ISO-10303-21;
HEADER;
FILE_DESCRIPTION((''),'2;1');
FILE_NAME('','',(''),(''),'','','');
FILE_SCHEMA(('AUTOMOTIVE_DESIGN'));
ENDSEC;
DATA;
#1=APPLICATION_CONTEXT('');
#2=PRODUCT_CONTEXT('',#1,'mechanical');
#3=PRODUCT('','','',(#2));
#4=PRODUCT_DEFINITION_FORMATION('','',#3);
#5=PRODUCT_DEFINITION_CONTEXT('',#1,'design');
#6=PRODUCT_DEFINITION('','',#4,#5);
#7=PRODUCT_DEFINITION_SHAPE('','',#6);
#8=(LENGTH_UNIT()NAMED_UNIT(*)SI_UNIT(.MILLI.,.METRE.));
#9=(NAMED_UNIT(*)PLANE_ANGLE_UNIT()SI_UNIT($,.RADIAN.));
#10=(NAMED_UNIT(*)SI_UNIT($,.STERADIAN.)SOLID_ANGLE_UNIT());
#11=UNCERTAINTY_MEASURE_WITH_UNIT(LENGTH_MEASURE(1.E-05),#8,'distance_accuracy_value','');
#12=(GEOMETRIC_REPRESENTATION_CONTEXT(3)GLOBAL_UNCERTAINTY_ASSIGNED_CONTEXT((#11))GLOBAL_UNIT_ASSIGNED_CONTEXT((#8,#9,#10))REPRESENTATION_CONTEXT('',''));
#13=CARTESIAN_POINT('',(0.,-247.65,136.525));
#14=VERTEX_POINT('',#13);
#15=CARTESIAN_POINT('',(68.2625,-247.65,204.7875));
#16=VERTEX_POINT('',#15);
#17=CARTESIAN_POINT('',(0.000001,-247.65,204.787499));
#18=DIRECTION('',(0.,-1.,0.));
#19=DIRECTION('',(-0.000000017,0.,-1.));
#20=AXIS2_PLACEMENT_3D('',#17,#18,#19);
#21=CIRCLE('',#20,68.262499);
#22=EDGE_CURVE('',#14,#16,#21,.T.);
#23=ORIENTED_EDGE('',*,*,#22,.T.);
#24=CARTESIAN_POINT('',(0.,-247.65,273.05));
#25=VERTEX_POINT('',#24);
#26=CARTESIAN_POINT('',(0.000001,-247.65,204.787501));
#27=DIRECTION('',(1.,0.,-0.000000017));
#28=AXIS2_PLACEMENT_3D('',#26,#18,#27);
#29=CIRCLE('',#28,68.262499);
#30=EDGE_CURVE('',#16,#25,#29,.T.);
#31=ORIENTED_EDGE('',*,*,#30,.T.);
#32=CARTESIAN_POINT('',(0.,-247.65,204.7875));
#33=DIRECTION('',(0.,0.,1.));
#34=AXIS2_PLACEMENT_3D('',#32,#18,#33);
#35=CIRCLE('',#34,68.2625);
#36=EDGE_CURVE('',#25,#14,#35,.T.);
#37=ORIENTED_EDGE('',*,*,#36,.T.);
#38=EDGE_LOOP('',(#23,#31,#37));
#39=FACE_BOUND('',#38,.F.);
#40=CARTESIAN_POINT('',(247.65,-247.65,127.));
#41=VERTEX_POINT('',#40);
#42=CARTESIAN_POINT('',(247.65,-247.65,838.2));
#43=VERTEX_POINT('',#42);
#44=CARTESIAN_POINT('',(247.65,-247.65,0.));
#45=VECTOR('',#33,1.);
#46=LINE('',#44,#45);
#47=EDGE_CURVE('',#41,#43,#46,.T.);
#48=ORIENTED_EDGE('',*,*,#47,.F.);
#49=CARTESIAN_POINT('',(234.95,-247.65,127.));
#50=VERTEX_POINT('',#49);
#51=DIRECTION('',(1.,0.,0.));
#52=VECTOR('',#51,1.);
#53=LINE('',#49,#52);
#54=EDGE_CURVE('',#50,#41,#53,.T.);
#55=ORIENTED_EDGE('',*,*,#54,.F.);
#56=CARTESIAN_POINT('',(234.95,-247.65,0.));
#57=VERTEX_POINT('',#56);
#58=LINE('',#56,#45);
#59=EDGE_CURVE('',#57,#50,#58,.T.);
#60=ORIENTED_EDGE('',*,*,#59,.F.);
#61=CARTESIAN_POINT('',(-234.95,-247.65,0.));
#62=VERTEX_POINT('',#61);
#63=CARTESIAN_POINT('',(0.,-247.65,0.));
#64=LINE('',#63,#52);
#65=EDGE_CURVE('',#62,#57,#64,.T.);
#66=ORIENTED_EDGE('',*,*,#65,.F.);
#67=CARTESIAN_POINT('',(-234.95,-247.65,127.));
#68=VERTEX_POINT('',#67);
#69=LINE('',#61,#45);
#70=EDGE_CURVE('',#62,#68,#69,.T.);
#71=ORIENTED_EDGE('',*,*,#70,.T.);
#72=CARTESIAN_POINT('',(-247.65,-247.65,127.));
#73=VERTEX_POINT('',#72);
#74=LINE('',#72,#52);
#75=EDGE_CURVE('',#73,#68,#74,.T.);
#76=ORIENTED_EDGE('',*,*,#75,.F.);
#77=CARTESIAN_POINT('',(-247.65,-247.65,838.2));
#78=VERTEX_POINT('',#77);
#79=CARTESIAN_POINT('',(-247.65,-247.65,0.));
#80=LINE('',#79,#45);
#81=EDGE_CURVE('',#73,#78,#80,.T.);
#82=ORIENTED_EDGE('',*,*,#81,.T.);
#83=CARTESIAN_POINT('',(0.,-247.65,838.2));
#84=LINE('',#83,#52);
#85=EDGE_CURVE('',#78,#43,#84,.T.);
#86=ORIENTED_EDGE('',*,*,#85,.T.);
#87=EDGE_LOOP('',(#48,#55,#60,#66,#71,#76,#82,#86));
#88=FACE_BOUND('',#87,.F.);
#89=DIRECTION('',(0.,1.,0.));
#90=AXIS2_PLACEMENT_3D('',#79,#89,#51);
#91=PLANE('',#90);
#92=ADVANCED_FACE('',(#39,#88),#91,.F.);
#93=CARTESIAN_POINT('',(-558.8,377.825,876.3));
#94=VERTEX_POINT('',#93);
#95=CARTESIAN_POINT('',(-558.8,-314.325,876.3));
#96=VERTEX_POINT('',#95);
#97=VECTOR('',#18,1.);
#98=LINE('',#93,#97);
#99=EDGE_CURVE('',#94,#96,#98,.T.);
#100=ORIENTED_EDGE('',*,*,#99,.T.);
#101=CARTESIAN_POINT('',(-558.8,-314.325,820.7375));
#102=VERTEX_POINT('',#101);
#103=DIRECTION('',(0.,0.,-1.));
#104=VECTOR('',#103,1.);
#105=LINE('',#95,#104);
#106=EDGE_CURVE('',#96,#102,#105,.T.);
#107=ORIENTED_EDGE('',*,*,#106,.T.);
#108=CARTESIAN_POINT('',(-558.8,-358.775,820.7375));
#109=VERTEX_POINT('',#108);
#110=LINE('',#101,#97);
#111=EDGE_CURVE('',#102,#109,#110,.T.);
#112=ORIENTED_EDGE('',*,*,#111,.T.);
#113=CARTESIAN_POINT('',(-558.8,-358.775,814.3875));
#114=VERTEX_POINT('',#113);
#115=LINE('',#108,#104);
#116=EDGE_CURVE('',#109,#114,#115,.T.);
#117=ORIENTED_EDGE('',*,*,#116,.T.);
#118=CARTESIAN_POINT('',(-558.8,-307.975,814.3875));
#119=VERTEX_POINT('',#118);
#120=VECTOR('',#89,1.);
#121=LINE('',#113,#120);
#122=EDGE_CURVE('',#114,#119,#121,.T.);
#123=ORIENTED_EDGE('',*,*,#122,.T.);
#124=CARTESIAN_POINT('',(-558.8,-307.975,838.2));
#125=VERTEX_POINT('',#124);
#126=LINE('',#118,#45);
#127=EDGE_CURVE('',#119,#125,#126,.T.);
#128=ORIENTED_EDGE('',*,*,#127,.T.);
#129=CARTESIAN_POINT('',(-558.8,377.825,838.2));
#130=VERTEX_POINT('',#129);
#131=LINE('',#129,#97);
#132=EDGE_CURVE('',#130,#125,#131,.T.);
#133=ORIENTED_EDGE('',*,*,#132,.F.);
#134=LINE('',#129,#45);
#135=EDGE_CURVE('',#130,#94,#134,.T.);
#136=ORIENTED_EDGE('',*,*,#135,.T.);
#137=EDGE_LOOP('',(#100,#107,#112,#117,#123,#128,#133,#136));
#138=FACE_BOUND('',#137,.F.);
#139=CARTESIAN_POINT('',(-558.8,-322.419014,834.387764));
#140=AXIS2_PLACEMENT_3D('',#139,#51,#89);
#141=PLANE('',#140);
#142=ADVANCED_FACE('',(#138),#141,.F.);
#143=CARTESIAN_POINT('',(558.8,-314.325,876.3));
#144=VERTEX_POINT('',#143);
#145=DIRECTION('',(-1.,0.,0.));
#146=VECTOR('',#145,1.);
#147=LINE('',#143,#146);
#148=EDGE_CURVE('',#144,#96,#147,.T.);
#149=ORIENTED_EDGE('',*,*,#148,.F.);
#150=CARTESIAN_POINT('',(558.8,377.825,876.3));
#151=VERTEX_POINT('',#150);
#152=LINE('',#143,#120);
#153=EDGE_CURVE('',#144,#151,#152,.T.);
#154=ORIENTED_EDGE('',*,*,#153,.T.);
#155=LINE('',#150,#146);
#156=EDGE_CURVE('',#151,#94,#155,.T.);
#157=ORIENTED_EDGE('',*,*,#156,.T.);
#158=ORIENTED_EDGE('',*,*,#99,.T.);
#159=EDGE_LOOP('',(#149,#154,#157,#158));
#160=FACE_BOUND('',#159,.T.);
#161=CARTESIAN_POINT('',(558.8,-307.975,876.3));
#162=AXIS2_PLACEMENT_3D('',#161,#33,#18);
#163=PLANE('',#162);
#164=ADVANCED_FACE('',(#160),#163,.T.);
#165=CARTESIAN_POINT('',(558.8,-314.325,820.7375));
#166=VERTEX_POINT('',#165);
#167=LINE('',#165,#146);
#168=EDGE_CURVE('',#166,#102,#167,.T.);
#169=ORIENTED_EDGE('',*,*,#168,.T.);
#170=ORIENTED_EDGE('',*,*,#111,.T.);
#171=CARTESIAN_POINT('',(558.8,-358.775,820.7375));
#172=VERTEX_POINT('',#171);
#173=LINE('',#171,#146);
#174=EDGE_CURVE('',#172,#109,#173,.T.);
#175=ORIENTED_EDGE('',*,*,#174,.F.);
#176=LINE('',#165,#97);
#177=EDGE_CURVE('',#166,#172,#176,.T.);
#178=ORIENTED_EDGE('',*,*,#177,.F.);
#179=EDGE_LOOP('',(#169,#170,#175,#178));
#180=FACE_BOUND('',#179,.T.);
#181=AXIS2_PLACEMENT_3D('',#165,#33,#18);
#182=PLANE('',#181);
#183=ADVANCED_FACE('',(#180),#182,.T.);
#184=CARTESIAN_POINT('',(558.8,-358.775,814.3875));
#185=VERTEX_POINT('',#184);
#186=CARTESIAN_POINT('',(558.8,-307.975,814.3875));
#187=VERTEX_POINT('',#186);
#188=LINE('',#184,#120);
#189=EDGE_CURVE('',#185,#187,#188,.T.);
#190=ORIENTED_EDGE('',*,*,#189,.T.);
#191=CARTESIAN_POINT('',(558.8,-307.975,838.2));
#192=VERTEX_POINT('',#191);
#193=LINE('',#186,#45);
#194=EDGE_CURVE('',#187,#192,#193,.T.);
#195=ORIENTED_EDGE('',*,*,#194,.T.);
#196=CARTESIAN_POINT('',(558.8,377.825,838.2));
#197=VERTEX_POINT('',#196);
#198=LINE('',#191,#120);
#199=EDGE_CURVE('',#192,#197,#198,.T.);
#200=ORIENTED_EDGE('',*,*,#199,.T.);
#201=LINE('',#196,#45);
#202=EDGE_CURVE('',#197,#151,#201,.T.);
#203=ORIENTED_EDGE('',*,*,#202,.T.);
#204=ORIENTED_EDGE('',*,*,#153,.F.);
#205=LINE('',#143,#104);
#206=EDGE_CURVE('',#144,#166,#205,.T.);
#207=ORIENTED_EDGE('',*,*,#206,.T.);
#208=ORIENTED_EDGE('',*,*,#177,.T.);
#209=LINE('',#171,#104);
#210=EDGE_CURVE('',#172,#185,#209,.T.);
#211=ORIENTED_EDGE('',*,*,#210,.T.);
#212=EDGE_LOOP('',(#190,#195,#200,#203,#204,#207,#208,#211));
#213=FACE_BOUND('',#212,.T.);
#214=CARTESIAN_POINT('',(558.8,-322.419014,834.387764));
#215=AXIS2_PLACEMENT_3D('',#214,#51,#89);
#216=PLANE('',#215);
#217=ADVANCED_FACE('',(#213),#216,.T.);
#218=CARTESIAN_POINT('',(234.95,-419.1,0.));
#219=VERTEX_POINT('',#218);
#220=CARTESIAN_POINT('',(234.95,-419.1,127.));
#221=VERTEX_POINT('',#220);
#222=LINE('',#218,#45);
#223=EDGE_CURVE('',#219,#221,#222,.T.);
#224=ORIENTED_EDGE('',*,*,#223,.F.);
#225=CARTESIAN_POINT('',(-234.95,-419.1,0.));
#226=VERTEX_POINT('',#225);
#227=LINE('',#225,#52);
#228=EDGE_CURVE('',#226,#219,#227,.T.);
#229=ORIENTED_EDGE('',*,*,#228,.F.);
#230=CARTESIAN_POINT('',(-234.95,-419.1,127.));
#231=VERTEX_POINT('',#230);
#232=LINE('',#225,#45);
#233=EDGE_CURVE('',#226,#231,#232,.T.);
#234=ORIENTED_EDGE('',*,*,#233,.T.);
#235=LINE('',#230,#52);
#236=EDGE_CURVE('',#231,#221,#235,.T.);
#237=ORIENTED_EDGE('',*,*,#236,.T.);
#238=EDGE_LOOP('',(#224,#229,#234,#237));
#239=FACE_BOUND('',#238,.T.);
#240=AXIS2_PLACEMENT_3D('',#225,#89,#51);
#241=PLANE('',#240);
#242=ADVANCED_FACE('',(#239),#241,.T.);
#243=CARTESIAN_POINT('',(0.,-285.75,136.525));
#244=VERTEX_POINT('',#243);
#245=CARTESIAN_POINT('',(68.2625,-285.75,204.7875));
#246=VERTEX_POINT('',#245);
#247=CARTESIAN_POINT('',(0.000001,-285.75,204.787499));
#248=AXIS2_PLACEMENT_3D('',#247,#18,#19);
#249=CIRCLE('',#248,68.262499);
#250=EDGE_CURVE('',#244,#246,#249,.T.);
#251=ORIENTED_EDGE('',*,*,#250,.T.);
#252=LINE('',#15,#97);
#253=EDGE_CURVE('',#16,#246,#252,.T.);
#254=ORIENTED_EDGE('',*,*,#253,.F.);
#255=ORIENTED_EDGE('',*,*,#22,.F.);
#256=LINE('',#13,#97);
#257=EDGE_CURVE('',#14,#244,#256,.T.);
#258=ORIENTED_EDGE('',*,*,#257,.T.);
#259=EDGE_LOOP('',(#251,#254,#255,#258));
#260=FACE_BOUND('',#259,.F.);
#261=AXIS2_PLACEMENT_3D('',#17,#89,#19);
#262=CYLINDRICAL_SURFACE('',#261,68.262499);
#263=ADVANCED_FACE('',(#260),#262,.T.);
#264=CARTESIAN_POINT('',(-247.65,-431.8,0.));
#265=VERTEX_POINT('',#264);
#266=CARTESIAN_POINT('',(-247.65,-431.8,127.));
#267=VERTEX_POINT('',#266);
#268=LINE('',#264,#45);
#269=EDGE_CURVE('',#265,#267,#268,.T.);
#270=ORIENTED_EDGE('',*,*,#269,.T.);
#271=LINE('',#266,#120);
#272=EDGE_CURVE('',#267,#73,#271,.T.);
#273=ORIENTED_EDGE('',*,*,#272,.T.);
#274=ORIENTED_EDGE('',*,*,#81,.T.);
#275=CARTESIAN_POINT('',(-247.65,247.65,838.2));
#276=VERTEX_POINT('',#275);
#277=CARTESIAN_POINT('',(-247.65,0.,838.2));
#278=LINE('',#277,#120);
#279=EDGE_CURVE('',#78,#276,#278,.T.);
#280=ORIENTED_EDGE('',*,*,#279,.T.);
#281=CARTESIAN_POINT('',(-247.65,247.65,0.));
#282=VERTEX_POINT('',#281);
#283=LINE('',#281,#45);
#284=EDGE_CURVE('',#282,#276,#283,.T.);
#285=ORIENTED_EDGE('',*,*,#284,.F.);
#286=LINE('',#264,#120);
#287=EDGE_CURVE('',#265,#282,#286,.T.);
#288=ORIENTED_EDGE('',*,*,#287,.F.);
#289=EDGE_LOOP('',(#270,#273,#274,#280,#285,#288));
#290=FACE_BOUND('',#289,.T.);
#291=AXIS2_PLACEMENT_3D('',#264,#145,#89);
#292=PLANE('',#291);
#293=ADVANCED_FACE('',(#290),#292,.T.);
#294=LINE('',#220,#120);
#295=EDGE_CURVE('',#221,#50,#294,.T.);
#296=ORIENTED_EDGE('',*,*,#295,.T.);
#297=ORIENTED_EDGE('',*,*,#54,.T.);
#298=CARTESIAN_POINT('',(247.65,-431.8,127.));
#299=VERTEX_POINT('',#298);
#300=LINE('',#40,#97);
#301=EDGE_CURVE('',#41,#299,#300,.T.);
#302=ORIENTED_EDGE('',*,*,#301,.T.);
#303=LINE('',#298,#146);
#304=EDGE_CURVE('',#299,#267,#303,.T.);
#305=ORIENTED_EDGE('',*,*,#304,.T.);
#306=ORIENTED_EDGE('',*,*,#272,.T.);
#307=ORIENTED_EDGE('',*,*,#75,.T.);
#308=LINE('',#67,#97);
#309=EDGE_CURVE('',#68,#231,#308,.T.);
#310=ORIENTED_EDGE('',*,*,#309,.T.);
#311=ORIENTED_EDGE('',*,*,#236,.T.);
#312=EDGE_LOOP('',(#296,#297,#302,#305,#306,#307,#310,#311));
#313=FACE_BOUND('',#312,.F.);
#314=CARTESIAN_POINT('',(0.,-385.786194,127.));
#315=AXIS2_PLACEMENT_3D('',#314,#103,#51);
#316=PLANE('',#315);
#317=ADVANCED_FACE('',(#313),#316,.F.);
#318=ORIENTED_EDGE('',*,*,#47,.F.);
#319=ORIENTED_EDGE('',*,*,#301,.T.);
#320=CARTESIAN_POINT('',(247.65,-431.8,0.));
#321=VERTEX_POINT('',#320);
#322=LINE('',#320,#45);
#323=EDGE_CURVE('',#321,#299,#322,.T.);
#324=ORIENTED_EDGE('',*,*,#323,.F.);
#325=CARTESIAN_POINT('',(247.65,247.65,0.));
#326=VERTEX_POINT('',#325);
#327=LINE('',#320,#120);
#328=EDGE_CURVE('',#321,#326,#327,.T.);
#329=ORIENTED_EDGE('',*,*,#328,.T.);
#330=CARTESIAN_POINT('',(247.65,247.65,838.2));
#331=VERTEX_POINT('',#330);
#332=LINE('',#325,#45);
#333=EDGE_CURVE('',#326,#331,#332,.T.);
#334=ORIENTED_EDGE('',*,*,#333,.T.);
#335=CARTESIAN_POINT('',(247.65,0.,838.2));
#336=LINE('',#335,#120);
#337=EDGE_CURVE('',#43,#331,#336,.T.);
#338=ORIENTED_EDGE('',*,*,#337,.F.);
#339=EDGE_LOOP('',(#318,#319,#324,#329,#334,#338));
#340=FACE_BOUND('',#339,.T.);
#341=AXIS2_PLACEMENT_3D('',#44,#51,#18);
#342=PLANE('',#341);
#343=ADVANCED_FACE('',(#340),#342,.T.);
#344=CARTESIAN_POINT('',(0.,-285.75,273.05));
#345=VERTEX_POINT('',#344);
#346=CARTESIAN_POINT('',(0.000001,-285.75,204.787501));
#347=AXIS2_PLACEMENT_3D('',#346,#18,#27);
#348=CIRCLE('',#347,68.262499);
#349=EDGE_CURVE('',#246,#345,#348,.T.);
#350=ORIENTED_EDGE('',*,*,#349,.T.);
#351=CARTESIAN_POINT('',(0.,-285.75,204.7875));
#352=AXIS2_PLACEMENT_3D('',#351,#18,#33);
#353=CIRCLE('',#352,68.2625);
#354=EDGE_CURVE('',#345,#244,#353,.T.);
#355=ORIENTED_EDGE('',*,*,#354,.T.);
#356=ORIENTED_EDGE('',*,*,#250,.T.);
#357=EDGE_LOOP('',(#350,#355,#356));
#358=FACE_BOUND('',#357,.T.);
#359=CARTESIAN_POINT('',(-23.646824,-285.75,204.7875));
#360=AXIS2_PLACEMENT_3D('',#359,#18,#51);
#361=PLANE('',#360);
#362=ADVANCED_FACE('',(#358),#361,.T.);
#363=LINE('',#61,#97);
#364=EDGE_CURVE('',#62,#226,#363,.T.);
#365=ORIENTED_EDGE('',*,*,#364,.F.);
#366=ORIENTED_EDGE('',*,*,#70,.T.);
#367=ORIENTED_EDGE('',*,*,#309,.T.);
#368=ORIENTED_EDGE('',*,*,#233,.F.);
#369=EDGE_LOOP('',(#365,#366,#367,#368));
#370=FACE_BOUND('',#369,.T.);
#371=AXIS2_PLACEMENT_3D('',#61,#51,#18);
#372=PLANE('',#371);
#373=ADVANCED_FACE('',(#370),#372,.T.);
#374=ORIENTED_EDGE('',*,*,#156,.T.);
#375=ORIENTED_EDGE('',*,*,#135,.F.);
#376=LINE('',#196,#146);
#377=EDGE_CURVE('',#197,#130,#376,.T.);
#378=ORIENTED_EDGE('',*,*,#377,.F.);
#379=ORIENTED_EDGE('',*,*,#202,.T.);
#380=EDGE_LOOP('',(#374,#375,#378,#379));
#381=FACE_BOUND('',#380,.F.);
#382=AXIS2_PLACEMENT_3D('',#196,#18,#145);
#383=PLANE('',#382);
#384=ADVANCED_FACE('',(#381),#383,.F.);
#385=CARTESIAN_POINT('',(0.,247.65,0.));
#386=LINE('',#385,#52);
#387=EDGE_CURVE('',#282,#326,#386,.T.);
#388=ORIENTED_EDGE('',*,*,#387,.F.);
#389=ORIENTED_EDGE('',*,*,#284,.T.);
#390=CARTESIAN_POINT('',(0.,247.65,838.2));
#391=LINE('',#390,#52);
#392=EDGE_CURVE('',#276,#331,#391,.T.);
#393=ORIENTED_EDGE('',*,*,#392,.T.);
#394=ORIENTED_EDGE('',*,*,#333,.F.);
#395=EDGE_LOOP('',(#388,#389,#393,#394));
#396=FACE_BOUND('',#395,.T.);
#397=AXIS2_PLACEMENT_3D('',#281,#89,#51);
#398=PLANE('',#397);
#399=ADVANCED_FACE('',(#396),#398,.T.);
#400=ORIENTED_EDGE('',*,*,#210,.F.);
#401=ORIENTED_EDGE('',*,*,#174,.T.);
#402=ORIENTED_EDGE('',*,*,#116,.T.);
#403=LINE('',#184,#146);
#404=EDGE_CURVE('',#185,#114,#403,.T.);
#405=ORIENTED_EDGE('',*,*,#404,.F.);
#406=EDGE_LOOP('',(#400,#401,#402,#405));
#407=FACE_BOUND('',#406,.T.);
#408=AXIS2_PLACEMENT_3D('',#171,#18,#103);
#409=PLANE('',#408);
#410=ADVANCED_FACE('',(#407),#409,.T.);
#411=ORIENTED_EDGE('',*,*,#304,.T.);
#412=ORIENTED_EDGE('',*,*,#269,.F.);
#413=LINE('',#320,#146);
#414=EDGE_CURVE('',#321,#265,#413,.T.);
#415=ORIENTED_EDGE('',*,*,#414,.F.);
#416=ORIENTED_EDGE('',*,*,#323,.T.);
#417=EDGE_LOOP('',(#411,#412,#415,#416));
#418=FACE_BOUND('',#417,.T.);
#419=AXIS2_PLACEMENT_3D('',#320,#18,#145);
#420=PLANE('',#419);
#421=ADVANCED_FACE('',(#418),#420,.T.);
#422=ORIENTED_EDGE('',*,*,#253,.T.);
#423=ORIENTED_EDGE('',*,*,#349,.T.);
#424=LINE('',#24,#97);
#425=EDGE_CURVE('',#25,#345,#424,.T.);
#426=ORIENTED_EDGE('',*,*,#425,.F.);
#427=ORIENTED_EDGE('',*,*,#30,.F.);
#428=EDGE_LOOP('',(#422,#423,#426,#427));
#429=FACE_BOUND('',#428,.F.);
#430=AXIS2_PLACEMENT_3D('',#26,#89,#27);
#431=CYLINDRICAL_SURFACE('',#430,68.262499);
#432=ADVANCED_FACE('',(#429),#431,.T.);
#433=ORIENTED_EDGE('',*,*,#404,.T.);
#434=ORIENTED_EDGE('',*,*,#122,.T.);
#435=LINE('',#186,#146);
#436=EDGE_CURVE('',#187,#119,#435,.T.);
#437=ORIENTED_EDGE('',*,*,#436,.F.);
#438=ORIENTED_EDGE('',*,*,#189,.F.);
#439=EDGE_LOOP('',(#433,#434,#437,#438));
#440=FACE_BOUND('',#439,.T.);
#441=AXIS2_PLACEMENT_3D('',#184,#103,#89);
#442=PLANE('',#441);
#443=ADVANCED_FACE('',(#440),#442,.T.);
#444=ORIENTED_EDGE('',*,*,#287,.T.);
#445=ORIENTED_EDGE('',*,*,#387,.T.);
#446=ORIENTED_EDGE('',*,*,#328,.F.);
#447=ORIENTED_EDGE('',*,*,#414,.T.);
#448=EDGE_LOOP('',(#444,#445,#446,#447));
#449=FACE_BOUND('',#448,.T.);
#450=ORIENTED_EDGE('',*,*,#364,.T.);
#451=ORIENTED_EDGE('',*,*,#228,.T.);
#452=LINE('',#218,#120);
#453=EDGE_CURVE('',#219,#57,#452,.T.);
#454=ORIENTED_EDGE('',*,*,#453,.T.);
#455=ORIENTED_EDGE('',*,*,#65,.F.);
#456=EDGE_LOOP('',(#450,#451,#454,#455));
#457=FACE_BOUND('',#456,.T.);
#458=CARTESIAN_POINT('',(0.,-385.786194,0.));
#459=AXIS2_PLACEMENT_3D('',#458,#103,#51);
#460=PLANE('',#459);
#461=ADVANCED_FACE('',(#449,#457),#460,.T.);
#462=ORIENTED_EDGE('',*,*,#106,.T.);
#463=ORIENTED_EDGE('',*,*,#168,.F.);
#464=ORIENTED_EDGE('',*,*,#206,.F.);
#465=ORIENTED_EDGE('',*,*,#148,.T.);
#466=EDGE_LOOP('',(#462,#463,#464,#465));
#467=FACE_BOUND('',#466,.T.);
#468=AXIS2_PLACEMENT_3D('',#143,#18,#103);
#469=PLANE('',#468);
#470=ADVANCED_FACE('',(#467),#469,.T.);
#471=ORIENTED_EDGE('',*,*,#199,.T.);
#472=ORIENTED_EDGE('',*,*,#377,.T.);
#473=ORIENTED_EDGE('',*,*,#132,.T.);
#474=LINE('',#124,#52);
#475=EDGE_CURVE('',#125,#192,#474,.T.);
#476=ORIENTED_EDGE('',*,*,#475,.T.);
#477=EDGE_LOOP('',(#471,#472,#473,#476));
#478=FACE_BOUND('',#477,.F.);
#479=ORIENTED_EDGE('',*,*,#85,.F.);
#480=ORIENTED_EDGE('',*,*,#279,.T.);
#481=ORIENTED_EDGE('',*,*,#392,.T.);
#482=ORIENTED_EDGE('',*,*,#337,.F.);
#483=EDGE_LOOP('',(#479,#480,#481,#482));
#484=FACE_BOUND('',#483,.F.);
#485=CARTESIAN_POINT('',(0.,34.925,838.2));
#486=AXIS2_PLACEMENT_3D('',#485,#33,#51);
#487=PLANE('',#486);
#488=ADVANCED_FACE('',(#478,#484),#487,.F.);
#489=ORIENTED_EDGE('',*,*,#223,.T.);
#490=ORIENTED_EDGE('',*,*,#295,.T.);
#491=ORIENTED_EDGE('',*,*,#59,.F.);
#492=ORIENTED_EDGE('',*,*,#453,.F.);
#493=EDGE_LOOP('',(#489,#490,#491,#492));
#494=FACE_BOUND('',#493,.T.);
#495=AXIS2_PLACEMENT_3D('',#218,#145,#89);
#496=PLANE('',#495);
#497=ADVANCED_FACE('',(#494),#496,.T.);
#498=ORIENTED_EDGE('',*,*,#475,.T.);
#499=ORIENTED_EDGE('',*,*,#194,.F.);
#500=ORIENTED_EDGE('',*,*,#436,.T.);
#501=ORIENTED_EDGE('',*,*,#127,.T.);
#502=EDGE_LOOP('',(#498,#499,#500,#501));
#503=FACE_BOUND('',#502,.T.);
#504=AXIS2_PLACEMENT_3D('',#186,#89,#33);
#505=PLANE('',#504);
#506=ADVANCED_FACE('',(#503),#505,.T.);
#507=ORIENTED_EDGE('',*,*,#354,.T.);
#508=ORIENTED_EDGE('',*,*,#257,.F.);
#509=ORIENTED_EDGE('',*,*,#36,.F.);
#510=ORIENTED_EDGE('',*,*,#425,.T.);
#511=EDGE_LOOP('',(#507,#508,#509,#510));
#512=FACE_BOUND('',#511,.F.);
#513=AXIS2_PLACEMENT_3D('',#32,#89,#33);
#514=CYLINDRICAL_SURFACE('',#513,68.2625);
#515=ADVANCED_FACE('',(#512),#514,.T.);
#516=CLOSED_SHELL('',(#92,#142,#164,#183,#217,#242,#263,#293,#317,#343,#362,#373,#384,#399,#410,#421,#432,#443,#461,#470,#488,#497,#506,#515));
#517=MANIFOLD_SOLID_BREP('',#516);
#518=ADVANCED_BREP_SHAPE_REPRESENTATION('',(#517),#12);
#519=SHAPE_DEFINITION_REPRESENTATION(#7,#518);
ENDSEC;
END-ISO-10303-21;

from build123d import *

# Parameters (mm, degrees)
F0_W     = 495.3
F0_H     = 495.3
F1_DEPTH = 838.2
F3_DEPTH = 38.1
F5_DEPTH = 38.1
F7_DEPTH = 1117.6
F9_DEPTH = 127


with BuildPart() as f1:
    # F0 (on Top) → F1 (new body)
    with BuildSketch(Plane.XY):
        Rectangle(F0_W, F0_H)
    extrude(amount=F1_DEPTH)

    # F2 (on face) → F3 (join)
    with BuildSketch(Plane.XZ.offset(247.65)):
        with BuildLine():
            ThreePointArc((0, 273.05), (-68.2625, 204.7875), (0, 136.525))
            Line((0, 136.525), (0, 273.05))
        make_face()
        with BuildLine():
            Line((0, 273.05), (0, 136.525))
            ThreePointArc((0, 136.525), (48.268877, 156.518623), (68.2625, 204.7875))
            ThreePointArc((68.2625, 204.7875), (48.268877, 253.056377), (0, 273.05))
        make_face()
    extrude(amount=F3_DEPTH)

    # F4 (on face) → F5 (join)
    with BuildSketch(Plane.XY.offset(838.2)):
        Polygon((-558.8, 377.825), (-558.8, -247.65), (-558.8, -307.975), (558.8, -307.975), (558.8, -247.65), (558.8, 377.825), align=None)
    extrude(amount=F5_DEPTH)

    # F6 (on face) → F7 (join)
    with BuildSketch(Plane.YZ.offset(558.8)):
        Polygon((-307.975, 838.2), (-307.975, 876.3), (-314.325, 876.3), (-314.325, 820.7375), (-358.775, 820.7375), (-358.775, 814.3875), (-307.975, 814.3875), align=None)
    extrude(amount=-F7_DEPTH)

    # F8 (on face) → F9 (join)
    with BuildSketch(Plane(origin=(0, 0, 0), x_dir=(1, 0, 0), z_dir=(0, 0, -1))):
        Polygon((234.95, 247.65), (247.65, 247.65), (247.65, 431.8), (-247.65, 431.8), (-247.65, 247.65), (-234.95, 247.65), (-234.95, 419.1), (234.95, 419.1), align=None)
    extrude(amount=-F9_DEPTH)


solid = f1.part
